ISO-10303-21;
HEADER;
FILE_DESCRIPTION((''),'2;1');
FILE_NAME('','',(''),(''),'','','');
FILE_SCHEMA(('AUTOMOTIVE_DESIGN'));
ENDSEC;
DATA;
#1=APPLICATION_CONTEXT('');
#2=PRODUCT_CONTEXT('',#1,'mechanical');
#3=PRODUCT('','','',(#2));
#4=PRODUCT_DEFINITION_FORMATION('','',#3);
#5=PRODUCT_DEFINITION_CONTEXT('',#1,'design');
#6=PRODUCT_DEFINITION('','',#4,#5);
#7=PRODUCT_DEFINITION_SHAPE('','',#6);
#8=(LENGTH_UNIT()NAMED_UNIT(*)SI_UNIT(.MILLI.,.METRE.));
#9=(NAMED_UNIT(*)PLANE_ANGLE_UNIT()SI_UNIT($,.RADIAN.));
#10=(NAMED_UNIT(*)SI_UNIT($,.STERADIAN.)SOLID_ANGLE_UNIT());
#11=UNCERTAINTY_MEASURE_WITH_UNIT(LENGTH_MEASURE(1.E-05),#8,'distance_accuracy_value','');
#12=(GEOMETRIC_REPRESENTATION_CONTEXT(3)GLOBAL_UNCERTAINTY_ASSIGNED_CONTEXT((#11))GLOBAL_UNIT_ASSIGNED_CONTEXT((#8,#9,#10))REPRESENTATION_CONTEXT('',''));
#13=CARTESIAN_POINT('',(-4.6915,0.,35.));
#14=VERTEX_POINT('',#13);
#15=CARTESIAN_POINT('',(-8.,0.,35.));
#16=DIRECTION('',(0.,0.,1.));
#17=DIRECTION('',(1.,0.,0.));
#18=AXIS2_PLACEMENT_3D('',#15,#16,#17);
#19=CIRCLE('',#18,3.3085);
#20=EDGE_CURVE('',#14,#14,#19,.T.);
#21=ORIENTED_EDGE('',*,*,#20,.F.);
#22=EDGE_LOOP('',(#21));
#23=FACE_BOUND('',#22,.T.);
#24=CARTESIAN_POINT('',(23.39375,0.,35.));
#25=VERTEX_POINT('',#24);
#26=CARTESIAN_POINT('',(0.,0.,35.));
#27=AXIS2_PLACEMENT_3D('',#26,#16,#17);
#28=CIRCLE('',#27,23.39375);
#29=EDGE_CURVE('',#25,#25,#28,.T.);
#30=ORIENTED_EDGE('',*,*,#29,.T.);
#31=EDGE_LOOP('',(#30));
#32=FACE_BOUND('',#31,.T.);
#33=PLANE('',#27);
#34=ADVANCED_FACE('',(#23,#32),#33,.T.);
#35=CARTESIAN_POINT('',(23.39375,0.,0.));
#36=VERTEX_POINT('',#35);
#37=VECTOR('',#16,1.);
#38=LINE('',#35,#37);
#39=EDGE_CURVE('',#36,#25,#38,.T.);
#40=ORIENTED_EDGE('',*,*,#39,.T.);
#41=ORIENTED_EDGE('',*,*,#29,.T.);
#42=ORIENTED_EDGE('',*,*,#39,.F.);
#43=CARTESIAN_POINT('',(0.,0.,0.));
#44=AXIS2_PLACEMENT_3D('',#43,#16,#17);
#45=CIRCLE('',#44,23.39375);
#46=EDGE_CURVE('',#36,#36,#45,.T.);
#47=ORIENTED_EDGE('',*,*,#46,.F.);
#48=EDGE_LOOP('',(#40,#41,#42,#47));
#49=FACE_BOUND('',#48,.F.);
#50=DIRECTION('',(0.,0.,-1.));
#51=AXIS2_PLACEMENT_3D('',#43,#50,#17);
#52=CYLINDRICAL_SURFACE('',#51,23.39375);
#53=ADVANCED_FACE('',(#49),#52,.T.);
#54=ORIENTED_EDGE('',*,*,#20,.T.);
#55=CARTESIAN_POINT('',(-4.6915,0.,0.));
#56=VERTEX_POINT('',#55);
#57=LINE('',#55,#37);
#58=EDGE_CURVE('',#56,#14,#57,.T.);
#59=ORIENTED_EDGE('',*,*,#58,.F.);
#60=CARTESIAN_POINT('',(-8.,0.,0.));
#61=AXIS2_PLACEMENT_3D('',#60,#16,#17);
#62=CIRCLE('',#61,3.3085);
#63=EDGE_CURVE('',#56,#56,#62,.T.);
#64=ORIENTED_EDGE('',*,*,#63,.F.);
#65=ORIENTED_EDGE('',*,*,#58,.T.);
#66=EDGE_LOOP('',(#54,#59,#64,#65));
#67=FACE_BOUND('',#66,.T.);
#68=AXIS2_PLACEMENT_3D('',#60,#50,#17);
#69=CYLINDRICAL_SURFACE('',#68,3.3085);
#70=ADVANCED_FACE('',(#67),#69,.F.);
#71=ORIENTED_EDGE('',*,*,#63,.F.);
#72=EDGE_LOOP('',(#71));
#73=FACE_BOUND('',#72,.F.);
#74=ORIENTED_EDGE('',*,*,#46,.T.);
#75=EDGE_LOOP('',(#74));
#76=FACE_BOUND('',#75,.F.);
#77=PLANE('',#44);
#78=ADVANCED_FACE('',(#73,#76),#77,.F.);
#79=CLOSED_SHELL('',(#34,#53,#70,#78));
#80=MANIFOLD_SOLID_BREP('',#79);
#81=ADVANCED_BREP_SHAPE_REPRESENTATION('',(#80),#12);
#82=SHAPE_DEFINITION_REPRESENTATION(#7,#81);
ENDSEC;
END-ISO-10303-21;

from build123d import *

# Parameters (mm, degrees)
SKETCH11_R           = 23.39375
SKETCH11_R_2         = 3.3085
BOSS_EXTRUDE13_DEPTH = 35


with BuildPart() as part:
    # Sketch11 → Boss-Extrude13 (new body)
    with BuildSketch(Plane.XY):
        Circle(SKETCH11_R)
        with Locations((-8, 0)):
            Circle(SKETCH11_R_2, mode=Mode.SUBTRACT)
    extrude(amount=BOSS_EXTRUDE13_DEPTH)


solid = part.part
